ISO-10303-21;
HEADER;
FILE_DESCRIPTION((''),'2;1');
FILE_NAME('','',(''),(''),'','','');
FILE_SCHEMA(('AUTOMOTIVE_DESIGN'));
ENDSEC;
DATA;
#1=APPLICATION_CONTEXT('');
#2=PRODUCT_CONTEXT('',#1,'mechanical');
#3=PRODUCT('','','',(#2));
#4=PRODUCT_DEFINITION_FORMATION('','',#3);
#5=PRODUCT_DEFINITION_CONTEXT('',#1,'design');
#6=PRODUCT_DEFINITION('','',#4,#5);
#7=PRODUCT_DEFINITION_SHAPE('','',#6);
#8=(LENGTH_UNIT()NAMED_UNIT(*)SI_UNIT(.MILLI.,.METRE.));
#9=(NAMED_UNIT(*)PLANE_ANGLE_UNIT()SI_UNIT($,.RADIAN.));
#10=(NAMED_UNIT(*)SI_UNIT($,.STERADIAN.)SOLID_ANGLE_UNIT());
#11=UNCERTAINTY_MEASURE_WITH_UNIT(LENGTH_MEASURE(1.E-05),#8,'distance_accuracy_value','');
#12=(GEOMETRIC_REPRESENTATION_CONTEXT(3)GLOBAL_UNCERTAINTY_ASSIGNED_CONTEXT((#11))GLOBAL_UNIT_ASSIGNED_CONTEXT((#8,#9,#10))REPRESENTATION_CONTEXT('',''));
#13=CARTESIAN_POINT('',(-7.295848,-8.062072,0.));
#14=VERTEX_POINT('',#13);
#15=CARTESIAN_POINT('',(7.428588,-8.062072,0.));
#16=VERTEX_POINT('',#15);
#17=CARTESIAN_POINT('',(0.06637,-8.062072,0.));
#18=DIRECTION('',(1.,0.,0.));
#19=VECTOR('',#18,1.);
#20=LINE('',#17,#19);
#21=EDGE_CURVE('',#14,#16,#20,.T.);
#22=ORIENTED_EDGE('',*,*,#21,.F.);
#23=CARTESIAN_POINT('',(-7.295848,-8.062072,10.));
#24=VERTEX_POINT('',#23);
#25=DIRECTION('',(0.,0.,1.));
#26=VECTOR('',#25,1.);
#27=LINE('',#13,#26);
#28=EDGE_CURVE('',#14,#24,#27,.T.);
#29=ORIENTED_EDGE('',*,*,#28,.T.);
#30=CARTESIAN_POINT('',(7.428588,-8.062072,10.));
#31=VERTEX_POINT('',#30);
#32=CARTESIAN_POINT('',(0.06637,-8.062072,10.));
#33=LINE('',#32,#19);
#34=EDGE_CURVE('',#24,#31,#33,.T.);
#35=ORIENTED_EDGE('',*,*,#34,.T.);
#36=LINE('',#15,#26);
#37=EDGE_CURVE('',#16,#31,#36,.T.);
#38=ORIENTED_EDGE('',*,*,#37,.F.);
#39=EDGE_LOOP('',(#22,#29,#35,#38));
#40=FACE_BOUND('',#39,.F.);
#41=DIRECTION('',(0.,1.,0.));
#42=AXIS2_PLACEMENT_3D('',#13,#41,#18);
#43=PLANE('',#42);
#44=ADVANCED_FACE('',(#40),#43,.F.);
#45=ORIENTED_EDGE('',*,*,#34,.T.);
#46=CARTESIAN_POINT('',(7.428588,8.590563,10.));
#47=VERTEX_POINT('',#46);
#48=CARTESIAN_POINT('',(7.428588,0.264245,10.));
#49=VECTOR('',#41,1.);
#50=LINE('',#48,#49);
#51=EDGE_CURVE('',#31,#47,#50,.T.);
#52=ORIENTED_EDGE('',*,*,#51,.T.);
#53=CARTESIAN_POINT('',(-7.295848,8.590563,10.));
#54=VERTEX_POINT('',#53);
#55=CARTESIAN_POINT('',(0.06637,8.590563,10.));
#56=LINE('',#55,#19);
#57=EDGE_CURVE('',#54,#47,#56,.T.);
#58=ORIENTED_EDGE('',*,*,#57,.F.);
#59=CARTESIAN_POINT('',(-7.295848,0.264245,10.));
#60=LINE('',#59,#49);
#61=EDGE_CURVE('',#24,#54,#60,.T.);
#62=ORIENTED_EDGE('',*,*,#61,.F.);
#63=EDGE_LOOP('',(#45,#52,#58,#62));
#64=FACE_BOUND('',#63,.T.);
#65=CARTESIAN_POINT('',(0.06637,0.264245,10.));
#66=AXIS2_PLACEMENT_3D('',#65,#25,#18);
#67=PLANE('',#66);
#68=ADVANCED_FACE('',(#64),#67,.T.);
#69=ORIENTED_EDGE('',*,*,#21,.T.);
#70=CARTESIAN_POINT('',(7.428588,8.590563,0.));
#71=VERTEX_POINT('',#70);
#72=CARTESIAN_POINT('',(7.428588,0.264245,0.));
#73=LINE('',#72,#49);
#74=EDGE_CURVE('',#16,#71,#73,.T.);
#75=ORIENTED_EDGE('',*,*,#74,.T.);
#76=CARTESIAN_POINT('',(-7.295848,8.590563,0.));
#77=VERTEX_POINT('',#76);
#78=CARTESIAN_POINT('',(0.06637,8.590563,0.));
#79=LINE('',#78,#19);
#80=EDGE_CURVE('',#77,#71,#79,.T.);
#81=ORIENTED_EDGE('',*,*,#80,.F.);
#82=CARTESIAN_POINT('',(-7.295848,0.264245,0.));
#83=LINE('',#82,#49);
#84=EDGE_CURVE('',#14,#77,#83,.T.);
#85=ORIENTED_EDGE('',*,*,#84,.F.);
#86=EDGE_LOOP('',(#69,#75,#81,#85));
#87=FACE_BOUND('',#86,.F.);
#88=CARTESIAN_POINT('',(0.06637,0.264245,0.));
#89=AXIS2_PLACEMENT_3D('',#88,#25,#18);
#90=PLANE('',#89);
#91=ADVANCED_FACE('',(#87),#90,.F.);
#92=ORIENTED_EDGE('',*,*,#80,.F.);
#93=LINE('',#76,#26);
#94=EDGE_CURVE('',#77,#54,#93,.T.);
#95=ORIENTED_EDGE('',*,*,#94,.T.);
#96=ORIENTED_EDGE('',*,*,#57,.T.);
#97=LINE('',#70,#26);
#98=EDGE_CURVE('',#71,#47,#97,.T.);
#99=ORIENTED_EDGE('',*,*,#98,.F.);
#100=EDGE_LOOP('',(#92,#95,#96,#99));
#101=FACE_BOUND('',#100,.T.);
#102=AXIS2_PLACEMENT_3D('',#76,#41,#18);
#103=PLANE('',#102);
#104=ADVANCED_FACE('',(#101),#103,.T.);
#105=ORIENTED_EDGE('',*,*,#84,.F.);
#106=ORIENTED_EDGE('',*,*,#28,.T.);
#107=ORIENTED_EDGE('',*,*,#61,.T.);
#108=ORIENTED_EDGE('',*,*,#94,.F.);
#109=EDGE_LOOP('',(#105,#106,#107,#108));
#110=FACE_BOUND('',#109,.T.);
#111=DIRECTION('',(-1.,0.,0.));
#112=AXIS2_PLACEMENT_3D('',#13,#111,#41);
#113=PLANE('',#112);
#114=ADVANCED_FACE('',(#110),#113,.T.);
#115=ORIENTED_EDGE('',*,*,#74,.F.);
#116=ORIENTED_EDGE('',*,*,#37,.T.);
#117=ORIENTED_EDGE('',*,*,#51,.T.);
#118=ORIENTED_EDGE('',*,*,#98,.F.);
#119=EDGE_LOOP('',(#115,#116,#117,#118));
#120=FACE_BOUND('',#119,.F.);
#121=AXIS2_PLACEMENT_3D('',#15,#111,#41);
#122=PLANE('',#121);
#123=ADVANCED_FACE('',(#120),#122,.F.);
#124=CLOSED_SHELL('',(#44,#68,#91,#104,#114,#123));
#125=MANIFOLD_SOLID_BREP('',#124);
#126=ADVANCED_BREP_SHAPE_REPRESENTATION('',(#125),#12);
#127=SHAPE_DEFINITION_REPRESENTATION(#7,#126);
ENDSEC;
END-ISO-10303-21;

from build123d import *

# Parameters (mm, degrees)
SKETCH006_W  = 14.724436
SKETCH006_H  = 16.652635
PAD001_DEPTH = 10


with BuildPart() as part:
    # Sketch006 → Pad001 (new body)
    with BuildSketch(Plane.XY):
        with Locations((0.06637, 0.264245)):
            Rectangle(SKETCH006_W, SKETCH006_H)
    extrude(amount=PAD001_DEPTH)


solid = part.part
